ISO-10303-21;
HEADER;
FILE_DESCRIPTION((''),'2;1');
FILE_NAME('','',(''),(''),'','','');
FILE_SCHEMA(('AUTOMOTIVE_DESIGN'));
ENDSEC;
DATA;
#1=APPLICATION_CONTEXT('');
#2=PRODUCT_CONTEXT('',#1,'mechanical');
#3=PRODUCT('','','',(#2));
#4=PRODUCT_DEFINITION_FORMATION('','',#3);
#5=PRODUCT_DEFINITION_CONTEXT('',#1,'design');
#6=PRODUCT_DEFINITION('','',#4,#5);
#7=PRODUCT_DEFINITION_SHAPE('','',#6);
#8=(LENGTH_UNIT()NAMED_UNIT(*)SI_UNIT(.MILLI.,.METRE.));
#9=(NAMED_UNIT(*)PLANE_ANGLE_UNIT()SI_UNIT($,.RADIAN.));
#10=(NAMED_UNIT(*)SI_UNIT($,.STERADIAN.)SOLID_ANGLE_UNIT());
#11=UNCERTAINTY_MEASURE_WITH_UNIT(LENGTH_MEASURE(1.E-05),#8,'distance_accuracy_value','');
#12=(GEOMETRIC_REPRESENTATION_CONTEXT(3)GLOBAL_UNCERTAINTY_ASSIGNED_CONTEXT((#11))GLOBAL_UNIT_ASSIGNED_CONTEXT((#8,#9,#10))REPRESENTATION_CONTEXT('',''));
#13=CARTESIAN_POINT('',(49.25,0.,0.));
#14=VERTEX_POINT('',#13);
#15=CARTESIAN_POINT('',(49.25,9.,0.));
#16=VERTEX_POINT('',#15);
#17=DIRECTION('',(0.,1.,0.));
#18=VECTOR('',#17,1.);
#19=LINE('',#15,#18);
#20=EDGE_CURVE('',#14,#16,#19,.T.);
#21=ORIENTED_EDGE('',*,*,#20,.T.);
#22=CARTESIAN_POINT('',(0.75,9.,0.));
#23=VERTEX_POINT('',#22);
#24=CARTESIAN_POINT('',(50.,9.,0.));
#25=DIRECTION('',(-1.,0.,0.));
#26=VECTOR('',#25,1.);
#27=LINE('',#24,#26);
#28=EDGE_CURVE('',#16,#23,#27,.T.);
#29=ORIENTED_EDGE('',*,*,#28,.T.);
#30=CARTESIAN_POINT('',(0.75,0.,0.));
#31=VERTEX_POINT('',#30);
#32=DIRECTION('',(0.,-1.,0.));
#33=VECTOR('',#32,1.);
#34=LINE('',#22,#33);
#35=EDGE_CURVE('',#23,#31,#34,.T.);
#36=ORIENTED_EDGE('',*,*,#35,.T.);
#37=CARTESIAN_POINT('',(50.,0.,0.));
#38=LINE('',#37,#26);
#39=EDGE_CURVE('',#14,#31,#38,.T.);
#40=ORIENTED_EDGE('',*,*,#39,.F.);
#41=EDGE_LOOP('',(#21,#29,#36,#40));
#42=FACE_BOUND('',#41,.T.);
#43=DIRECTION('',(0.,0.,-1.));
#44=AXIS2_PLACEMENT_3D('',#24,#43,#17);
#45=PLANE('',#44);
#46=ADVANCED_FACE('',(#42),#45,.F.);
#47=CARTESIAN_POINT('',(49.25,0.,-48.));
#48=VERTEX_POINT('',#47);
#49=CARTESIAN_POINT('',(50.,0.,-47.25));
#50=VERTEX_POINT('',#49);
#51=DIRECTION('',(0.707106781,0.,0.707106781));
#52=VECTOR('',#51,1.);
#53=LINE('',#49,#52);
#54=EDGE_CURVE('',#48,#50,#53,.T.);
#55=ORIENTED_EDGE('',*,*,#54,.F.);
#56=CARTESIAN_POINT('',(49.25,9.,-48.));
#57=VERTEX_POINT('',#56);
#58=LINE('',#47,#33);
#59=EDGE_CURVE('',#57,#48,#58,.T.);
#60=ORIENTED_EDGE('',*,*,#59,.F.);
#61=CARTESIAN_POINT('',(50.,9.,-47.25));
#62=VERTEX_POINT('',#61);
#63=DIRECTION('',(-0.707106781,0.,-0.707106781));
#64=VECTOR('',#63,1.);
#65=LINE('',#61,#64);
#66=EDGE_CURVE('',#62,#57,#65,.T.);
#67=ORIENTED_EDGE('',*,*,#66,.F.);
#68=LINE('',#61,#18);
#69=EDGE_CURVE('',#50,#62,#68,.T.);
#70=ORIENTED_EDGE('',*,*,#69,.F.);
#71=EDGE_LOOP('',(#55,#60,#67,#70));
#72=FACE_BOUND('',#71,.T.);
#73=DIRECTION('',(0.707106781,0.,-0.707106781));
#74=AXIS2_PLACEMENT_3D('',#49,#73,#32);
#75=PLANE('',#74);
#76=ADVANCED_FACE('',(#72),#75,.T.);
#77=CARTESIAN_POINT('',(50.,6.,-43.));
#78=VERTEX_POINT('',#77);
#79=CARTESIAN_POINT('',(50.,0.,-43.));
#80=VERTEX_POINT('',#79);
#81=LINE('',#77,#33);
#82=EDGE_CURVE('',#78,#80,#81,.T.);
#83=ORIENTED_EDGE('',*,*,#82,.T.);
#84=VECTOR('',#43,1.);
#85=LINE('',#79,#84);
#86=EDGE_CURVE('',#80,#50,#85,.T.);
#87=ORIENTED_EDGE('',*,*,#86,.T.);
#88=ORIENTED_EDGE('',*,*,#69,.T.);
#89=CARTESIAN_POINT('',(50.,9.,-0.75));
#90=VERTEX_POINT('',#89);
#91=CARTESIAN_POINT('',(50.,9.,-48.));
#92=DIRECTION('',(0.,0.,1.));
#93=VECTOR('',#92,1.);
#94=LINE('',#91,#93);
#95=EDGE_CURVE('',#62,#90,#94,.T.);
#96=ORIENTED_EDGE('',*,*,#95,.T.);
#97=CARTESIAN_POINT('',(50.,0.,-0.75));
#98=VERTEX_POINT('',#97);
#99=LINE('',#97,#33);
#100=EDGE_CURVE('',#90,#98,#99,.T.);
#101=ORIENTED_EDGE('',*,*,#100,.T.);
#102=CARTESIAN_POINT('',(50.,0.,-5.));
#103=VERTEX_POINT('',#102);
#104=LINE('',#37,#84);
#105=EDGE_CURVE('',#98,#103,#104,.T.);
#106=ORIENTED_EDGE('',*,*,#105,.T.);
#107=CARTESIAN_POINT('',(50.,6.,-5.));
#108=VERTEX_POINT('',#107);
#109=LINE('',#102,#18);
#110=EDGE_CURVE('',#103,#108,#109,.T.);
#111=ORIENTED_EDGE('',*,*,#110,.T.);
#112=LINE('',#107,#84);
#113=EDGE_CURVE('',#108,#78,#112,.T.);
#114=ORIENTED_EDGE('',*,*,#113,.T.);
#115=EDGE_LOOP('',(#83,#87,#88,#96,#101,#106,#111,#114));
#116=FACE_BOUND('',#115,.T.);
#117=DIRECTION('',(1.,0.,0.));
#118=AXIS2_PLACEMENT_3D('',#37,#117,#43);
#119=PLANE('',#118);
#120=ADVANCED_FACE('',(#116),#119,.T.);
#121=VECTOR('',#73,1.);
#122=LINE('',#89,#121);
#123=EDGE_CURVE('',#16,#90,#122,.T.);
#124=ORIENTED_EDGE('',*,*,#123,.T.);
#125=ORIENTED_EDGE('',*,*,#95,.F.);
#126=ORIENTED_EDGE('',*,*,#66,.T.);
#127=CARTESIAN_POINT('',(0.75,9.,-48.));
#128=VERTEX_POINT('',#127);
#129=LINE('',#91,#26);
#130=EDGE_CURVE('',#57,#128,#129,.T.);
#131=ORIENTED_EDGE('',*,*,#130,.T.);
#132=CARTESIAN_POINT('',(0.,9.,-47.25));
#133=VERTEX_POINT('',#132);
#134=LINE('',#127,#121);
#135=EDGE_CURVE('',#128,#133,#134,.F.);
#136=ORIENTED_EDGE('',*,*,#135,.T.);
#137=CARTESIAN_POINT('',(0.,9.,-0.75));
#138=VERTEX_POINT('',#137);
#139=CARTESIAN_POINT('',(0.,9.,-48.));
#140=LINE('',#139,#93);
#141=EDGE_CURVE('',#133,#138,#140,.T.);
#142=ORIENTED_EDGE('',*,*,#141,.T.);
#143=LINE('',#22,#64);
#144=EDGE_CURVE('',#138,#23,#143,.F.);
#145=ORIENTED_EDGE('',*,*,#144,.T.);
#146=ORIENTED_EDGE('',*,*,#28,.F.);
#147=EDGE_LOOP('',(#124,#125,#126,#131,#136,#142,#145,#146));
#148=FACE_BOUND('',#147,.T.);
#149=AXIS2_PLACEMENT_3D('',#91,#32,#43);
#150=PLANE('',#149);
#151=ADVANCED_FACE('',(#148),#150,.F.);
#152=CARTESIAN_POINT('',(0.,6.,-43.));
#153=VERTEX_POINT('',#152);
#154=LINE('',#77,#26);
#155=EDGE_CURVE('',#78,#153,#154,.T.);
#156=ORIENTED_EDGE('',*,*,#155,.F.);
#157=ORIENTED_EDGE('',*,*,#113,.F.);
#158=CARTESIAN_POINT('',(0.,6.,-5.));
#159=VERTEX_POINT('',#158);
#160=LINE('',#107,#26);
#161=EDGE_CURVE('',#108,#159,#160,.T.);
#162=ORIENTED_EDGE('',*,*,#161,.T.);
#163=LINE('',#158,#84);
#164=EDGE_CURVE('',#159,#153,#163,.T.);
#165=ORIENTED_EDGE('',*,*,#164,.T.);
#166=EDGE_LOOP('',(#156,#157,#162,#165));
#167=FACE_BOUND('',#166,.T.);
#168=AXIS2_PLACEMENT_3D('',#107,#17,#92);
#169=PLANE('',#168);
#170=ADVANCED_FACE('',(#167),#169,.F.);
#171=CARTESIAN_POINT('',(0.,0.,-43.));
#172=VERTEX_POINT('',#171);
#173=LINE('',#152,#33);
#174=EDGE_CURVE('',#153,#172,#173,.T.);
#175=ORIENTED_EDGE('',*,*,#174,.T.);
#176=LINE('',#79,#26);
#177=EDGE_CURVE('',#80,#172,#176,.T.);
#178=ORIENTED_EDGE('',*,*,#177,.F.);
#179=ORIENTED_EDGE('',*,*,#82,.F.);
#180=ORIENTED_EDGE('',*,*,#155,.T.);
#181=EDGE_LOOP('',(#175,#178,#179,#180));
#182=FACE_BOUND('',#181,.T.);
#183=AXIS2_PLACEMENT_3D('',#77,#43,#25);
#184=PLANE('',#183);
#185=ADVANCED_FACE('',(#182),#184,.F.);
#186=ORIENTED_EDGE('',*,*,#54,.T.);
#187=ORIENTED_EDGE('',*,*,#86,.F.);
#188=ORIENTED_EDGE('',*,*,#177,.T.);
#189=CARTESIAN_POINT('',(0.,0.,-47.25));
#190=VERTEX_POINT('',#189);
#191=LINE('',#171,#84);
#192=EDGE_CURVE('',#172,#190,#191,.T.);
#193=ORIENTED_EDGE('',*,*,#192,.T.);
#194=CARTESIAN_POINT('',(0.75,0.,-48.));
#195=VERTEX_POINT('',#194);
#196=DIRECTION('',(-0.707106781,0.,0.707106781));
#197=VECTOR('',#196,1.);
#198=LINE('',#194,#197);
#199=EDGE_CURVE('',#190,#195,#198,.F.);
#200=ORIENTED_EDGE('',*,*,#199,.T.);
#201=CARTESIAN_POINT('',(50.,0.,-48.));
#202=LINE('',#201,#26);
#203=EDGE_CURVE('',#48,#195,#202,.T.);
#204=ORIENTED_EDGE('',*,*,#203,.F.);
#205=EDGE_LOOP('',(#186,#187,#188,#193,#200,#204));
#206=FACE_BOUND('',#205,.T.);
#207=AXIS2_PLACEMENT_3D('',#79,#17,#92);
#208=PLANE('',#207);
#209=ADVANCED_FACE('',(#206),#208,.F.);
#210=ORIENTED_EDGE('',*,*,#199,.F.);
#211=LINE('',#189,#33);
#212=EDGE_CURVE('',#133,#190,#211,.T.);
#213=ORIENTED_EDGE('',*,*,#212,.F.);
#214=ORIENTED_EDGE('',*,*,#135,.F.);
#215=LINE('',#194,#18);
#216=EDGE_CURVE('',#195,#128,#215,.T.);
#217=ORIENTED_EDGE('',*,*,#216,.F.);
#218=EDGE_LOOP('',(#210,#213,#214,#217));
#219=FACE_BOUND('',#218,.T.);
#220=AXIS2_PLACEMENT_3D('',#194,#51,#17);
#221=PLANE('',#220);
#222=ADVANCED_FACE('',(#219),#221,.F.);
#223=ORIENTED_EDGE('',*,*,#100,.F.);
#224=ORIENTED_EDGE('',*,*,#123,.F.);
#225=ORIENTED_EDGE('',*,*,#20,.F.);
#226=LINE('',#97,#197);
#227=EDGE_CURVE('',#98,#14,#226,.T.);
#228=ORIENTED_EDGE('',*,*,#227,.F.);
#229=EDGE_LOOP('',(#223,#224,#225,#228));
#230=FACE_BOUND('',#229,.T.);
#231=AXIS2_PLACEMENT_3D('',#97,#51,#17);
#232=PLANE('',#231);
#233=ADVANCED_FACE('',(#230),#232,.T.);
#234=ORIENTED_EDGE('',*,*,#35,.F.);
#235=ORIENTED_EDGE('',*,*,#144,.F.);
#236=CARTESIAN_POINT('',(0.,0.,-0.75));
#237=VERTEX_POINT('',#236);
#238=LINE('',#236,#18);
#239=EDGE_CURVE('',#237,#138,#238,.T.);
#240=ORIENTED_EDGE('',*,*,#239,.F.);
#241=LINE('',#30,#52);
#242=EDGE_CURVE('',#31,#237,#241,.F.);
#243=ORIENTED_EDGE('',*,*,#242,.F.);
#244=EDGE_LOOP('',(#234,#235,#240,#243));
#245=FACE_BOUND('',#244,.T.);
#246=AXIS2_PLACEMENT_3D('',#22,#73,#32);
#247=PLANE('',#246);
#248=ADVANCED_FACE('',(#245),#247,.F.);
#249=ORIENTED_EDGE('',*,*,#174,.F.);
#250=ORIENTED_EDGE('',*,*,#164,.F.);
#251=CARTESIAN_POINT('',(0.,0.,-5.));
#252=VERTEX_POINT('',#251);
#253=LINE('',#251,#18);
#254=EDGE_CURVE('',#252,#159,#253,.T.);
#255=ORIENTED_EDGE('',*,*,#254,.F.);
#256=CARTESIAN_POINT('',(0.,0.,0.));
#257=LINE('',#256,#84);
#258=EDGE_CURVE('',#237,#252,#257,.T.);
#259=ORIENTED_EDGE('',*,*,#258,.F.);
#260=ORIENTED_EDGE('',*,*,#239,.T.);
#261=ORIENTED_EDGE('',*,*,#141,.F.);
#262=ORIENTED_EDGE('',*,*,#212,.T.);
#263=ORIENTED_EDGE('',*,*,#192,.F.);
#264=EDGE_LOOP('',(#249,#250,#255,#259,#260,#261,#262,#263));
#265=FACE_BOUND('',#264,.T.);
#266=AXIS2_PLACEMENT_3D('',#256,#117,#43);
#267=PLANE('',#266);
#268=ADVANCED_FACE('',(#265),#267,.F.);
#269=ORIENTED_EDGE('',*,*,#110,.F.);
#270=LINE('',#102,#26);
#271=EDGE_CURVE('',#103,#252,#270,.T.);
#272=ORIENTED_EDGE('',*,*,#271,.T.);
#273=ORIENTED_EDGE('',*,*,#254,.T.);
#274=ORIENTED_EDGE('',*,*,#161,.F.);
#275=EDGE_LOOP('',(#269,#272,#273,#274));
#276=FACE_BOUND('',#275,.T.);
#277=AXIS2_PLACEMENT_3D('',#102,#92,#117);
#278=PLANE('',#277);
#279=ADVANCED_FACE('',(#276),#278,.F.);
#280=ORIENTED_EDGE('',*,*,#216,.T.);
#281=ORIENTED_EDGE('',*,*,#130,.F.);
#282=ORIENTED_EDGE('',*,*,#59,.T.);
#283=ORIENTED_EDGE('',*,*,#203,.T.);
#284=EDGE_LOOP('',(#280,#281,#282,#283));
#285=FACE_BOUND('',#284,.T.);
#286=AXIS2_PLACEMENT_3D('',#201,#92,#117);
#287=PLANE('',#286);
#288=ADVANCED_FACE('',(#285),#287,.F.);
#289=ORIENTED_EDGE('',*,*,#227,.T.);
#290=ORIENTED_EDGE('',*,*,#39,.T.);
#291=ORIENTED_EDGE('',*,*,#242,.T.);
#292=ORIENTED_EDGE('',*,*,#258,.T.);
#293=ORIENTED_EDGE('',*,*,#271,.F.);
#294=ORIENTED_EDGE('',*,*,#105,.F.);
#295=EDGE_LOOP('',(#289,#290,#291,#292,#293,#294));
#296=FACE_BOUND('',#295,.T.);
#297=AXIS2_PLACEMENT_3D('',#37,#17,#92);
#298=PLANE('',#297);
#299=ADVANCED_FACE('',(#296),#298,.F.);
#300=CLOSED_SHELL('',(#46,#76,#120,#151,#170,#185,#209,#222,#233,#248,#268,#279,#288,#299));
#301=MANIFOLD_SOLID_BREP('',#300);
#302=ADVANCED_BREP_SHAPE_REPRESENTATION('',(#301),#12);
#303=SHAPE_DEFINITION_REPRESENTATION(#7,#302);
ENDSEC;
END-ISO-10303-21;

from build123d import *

# Parameters (mm, degrees)
ESTRUSIONE_ESTRUSIONE9_DEPTH = 50
SMUSSO1_SIZE                 = 0.75


with BuildPart() as part:
    # Schizzo16 → Estrusione-Estrusione9 (new body)
    with BuildSketch(Plane(origin=(0, 0, 0), x_dir=(0, 0, -1), z_dir=(1, 0, 0))):
        Polygon((0, 0), (5, 0), (5, 6), (43, 6), (43, 0), (48, 0), (48, 9), (0, 9), align=None)
    extrude(amount=ESTRUSIONE_ESTRUSIONE9_DEPTH)

    # Smusso1
    smusso1_edges = [part.edges().sort_by_distance(p)[0] for p in [
        (0, 4.5, 0),
        (50, 4.5, -48),
        (50, 4.5, 0),
        (0, 4.5, -48),
    ]]
    chamfer(smusso1_edges, length=SMUSSO1_SIZE)


solid = part.part
